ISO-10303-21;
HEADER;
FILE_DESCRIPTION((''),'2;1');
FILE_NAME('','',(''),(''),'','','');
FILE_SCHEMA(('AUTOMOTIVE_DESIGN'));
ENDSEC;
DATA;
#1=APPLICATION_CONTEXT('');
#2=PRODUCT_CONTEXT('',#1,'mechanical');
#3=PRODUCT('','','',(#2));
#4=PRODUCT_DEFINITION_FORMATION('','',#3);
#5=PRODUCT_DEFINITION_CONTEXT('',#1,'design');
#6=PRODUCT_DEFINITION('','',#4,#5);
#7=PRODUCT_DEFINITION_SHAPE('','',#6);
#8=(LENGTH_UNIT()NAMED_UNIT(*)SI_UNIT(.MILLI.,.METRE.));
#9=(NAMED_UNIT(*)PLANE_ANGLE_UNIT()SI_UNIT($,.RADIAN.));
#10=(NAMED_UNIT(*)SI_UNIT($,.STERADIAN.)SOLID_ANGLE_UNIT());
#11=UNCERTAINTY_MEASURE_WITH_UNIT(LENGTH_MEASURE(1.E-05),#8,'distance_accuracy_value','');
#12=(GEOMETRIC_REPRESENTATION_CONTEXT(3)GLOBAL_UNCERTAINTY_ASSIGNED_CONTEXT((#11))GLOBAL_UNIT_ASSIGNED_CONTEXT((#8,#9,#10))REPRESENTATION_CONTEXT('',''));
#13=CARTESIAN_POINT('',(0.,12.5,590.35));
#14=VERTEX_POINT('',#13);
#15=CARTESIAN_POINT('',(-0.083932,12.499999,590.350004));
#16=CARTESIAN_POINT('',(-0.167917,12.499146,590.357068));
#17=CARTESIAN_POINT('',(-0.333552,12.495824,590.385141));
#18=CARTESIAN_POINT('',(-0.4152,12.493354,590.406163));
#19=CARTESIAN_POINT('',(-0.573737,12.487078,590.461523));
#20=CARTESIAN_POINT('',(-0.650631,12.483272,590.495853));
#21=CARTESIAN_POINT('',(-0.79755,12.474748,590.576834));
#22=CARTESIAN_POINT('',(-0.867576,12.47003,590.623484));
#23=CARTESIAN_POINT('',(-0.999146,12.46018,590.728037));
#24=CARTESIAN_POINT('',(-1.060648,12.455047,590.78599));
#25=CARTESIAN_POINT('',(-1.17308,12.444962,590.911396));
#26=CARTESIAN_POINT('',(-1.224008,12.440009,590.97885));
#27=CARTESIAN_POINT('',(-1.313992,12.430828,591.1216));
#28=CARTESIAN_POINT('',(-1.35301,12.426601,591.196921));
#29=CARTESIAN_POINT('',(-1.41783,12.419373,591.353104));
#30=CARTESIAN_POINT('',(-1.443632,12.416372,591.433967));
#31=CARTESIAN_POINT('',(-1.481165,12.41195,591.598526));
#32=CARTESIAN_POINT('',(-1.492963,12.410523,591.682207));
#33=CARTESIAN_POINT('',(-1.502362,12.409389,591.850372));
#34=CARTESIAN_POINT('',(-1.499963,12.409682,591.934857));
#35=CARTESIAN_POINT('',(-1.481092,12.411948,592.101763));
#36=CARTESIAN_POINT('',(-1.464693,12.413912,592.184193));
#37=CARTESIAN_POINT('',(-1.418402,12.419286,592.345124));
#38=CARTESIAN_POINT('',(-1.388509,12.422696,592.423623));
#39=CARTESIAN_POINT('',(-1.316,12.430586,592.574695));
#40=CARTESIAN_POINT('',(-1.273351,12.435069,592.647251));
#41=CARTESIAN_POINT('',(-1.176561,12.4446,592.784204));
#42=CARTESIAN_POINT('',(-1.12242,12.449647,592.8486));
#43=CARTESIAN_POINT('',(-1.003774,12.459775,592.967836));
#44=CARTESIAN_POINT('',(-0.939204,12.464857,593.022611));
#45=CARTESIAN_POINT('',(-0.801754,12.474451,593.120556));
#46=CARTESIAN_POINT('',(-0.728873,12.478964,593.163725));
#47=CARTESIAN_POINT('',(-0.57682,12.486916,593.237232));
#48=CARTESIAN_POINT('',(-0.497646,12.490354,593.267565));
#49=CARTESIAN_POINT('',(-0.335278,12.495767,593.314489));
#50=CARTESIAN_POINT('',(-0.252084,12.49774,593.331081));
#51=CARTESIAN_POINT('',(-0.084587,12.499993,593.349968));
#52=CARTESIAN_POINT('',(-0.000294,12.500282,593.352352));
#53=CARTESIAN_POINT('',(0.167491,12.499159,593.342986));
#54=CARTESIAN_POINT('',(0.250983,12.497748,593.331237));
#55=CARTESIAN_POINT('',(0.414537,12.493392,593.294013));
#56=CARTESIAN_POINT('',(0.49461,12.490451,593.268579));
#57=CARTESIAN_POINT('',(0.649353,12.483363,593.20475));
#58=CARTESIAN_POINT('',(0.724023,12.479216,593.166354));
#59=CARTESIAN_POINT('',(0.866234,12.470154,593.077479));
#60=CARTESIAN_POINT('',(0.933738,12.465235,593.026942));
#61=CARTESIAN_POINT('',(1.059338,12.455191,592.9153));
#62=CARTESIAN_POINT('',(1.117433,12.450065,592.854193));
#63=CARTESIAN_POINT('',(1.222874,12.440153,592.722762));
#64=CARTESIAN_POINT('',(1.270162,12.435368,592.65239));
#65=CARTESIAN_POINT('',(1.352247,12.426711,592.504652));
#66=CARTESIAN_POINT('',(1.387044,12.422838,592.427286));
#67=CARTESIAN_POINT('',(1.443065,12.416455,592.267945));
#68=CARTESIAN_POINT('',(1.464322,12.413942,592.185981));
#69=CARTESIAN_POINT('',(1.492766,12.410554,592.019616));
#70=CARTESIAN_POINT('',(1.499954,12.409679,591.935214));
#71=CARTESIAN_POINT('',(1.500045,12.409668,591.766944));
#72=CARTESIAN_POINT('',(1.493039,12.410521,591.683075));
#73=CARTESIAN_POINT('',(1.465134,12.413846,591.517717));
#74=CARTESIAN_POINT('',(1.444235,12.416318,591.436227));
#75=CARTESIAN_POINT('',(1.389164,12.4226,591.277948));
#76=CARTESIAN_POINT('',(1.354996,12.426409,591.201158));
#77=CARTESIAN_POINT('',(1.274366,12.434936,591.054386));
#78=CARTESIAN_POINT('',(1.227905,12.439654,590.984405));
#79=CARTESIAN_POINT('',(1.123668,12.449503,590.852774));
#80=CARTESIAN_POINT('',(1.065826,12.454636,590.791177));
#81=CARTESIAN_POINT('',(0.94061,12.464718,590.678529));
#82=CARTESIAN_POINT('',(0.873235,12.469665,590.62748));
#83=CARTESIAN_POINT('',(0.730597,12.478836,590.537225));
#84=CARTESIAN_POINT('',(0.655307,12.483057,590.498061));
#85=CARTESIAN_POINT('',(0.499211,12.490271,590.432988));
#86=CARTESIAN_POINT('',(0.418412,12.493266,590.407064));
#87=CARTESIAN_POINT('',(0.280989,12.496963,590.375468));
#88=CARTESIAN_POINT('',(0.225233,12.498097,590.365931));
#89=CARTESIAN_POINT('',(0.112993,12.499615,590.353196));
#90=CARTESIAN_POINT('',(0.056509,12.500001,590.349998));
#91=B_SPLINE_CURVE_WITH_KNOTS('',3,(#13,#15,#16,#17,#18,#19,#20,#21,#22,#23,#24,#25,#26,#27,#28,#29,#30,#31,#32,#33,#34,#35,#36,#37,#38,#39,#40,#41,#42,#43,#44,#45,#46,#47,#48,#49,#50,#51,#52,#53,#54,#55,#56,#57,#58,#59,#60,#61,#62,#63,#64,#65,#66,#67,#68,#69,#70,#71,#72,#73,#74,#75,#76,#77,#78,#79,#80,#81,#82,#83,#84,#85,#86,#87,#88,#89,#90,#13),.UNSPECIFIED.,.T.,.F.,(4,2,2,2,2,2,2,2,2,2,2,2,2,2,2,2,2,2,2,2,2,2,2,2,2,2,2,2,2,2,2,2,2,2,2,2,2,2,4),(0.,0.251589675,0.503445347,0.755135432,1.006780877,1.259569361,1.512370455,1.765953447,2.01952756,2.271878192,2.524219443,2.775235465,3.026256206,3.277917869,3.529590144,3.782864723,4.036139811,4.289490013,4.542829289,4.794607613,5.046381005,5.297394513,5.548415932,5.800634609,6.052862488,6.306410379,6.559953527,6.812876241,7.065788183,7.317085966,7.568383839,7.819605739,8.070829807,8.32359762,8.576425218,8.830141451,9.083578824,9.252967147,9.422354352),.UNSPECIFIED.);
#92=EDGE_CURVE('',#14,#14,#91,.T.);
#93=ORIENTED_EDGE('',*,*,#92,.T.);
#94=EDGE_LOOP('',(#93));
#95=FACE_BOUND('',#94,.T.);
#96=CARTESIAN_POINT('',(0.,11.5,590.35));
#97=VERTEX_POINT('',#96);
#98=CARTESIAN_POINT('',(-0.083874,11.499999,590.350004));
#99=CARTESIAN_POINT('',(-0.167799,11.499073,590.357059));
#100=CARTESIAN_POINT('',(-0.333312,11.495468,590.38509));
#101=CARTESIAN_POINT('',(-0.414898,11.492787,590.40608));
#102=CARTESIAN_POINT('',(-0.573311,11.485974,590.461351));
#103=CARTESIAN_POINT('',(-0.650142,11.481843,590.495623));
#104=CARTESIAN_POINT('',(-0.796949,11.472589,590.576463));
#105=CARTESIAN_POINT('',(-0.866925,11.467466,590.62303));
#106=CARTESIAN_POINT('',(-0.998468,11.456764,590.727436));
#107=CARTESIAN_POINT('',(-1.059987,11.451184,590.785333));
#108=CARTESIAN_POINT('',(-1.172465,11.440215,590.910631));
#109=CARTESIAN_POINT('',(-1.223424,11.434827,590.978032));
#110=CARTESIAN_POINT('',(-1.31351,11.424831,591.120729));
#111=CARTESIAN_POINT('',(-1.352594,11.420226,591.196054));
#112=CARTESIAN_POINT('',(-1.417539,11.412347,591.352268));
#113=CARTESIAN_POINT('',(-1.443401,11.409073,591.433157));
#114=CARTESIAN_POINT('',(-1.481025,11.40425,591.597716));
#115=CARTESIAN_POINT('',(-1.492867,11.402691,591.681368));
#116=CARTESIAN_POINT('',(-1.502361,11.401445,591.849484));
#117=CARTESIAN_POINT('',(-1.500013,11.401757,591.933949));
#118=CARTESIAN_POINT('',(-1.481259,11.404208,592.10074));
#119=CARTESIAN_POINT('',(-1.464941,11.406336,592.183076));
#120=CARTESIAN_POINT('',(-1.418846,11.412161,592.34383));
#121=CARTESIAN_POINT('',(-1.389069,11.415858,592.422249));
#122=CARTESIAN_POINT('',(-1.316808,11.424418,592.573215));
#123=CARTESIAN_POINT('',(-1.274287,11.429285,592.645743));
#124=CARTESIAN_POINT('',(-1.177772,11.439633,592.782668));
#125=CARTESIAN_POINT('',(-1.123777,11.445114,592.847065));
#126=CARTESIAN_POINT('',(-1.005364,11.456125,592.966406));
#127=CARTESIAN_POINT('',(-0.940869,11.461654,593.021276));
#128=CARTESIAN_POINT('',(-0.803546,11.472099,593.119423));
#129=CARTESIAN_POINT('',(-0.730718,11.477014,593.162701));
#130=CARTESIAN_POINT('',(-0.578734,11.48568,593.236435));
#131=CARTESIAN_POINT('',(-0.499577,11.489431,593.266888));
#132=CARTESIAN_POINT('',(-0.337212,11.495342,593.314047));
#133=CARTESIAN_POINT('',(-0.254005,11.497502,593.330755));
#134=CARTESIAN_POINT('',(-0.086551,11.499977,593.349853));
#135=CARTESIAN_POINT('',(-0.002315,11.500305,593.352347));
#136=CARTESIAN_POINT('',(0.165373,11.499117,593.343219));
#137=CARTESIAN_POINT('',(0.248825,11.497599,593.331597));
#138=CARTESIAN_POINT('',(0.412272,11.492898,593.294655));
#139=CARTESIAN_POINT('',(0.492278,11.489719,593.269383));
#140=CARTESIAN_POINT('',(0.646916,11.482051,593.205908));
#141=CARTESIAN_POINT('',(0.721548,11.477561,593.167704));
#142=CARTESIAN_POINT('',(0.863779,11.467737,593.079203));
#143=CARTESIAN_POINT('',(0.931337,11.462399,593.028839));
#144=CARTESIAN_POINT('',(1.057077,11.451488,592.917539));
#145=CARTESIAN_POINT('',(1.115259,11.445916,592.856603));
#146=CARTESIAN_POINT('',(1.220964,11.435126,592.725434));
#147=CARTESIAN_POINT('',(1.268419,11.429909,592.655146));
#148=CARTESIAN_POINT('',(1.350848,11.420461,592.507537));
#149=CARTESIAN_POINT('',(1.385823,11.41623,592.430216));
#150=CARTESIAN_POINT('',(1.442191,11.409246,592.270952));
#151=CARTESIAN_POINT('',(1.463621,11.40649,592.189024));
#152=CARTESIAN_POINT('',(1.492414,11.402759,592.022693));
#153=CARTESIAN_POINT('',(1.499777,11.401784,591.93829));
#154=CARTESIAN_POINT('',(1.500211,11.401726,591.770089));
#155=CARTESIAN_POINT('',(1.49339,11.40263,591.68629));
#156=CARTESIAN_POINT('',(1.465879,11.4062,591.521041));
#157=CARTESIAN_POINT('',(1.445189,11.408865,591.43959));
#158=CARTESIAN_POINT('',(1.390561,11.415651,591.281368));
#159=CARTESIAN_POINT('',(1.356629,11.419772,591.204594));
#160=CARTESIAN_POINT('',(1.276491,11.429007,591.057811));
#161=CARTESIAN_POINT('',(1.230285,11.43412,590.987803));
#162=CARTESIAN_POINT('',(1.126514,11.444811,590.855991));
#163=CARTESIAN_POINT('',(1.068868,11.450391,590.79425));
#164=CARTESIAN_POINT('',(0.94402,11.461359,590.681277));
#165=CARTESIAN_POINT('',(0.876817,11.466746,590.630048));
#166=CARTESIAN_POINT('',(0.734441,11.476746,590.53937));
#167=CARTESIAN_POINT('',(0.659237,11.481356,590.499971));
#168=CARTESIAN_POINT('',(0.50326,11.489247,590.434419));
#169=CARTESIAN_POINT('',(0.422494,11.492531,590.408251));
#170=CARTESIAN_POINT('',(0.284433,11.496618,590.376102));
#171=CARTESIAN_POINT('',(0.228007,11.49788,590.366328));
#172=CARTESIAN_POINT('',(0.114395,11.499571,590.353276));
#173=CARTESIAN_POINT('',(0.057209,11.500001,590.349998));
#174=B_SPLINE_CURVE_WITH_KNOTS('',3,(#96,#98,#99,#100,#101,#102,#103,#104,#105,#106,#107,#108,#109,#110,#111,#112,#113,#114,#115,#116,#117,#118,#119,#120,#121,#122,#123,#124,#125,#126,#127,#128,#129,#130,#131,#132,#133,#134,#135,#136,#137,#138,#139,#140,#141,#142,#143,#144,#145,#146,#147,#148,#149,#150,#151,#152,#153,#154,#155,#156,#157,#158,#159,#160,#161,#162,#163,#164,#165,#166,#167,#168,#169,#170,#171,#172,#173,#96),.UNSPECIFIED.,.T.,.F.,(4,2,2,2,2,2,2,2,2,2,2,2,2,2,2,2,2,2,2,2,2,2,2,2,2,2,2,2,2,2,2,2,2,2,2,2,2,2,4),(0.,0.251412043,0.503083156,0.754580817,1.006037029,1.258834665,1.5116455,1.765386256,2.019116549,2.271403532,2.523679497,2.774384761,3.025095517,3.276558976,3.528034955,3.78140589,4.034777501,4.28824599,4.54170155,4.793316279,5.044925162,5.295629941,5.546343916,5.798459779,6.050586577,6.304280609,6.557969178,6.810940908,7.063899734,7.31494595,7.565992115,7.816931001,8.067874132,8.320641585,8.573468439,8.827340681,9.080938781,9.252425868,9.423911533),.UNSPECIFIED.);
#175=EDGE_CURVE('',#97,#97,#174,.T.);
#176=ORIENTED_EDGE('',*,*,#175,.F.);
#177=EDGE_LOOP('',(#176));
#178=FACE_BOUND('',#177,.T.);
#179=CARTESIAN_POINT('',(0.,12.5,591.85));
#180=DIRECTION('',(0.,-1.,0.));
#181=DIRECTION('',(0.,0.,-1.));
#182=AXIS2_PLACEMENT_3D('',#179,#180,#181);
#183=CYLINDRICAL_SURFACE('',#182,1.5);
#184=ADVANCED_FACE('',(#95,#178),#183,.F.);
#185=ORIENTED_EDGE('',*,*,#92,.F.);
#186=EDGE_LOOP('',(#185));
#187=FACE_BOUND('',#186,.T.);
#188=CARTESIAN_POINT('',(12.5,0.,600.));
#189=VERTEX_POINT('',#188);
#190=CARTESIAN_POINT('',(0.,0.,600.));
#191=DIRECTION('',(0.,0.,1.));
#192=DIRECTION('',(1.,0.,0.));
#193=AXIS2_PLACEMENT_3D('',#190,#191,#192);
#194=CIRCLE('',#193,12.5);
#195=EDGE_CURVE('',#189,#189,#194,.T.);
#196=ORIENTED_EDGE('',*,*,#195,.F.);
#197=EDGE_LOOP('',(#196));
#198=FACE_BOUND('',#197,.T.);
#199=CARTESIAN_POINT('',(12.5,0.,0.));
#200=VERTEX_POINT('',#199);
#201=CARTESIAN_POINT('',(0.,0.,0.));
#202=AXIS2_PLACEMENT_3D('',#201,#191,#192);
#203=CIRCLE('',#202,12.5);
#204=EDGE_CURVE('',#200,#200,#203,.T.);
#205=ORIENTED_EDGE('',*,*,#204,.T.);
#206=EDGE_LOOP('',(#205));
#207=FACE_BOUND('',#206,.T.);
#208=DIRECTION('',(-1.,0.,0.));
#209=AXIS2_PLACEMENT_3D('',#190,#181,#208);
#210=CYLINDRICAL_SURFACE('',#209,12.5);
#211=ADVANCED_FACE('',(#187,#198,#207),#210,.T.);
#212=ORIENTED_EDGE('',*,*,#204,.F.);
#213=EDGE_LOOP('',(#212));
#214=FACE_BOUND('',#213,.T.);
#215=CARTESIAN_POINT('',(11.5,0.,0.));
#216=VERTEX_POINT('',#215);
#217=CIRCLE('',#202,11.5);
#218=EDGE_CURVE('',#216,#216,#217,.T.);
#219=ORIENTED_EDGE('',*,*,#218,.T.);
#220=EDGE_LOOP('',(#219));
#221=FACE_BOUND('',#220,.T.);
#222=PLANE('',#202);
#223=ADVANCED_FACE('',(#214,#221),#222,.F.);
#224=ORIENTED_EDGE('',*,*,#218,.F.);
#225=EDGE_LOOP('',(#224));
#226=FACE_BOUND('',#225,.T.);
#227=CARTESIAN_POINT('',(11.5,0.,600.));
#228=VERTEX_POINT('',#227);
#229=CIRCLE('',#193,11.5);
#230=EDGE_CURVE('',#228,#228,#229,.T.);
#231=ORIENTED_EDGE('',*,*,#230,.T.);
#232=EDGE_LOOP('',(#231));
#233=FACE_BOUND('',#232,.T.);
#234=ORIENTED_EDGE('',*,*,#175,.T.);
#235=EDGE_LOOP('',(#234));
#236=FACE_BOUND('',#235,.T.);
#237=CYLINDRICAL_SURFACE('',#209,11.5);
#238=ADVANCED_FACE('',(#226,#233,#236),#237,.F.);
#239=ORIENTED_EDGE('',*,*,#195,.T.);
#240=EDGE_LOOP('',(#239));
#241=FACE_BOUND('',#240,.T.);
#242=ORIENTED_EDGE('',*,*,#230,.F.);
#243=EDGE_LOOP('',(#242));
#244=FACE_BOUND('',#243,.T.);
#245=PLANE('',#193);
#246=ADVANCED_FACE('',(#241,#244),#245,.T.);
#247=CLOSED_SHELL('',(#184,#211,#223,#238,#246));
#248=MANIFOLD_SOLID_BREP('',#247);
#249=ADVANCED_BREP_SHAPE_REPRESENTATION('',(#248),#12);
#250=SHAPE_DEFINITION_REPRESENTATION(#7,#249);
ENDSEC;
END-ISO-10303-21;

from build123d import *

# Parameters (mm, degrees)
ESQUISSE1_R             = 12.5
ESQUISSE1_R_2           = 11.5
BOSS_EXTRU_1_DEPTH      = 600
ESQUISSE2_R             = 1.5
ENL_V_MAT_EXTRU_1_DEPTH = 601.260360177


with BuildPart() as part:
    # Esquisse1 → Boss.-Extru.1 (new body)
    with BuildSketch(Plane.XY):
        Circle(ESQUISSE1_R)
        Circle(ESQUISSE1_R_2, mode=Mode.SUBTRACT)
    extrude(amount=BOSS_EXTRU_1_DEPTH)

    # Esquisse2 → Enlèv. mat.-Extru.1 (cut, through all)
    with BuildSketch(Plane(origin=(0, 0, 0), x_dir=(1, 0, 0), z_dir=(0, 1, 0))):
        with Locations(Location((0, -591.85, 0), (0, 0, 90))):
            Circle(ESQUISSE2_R)
    extrude(amount=ENL_V_MAT_EXTRU_1_DEPTH, mode=Mode.SUBTRACT)


solid = part.part
